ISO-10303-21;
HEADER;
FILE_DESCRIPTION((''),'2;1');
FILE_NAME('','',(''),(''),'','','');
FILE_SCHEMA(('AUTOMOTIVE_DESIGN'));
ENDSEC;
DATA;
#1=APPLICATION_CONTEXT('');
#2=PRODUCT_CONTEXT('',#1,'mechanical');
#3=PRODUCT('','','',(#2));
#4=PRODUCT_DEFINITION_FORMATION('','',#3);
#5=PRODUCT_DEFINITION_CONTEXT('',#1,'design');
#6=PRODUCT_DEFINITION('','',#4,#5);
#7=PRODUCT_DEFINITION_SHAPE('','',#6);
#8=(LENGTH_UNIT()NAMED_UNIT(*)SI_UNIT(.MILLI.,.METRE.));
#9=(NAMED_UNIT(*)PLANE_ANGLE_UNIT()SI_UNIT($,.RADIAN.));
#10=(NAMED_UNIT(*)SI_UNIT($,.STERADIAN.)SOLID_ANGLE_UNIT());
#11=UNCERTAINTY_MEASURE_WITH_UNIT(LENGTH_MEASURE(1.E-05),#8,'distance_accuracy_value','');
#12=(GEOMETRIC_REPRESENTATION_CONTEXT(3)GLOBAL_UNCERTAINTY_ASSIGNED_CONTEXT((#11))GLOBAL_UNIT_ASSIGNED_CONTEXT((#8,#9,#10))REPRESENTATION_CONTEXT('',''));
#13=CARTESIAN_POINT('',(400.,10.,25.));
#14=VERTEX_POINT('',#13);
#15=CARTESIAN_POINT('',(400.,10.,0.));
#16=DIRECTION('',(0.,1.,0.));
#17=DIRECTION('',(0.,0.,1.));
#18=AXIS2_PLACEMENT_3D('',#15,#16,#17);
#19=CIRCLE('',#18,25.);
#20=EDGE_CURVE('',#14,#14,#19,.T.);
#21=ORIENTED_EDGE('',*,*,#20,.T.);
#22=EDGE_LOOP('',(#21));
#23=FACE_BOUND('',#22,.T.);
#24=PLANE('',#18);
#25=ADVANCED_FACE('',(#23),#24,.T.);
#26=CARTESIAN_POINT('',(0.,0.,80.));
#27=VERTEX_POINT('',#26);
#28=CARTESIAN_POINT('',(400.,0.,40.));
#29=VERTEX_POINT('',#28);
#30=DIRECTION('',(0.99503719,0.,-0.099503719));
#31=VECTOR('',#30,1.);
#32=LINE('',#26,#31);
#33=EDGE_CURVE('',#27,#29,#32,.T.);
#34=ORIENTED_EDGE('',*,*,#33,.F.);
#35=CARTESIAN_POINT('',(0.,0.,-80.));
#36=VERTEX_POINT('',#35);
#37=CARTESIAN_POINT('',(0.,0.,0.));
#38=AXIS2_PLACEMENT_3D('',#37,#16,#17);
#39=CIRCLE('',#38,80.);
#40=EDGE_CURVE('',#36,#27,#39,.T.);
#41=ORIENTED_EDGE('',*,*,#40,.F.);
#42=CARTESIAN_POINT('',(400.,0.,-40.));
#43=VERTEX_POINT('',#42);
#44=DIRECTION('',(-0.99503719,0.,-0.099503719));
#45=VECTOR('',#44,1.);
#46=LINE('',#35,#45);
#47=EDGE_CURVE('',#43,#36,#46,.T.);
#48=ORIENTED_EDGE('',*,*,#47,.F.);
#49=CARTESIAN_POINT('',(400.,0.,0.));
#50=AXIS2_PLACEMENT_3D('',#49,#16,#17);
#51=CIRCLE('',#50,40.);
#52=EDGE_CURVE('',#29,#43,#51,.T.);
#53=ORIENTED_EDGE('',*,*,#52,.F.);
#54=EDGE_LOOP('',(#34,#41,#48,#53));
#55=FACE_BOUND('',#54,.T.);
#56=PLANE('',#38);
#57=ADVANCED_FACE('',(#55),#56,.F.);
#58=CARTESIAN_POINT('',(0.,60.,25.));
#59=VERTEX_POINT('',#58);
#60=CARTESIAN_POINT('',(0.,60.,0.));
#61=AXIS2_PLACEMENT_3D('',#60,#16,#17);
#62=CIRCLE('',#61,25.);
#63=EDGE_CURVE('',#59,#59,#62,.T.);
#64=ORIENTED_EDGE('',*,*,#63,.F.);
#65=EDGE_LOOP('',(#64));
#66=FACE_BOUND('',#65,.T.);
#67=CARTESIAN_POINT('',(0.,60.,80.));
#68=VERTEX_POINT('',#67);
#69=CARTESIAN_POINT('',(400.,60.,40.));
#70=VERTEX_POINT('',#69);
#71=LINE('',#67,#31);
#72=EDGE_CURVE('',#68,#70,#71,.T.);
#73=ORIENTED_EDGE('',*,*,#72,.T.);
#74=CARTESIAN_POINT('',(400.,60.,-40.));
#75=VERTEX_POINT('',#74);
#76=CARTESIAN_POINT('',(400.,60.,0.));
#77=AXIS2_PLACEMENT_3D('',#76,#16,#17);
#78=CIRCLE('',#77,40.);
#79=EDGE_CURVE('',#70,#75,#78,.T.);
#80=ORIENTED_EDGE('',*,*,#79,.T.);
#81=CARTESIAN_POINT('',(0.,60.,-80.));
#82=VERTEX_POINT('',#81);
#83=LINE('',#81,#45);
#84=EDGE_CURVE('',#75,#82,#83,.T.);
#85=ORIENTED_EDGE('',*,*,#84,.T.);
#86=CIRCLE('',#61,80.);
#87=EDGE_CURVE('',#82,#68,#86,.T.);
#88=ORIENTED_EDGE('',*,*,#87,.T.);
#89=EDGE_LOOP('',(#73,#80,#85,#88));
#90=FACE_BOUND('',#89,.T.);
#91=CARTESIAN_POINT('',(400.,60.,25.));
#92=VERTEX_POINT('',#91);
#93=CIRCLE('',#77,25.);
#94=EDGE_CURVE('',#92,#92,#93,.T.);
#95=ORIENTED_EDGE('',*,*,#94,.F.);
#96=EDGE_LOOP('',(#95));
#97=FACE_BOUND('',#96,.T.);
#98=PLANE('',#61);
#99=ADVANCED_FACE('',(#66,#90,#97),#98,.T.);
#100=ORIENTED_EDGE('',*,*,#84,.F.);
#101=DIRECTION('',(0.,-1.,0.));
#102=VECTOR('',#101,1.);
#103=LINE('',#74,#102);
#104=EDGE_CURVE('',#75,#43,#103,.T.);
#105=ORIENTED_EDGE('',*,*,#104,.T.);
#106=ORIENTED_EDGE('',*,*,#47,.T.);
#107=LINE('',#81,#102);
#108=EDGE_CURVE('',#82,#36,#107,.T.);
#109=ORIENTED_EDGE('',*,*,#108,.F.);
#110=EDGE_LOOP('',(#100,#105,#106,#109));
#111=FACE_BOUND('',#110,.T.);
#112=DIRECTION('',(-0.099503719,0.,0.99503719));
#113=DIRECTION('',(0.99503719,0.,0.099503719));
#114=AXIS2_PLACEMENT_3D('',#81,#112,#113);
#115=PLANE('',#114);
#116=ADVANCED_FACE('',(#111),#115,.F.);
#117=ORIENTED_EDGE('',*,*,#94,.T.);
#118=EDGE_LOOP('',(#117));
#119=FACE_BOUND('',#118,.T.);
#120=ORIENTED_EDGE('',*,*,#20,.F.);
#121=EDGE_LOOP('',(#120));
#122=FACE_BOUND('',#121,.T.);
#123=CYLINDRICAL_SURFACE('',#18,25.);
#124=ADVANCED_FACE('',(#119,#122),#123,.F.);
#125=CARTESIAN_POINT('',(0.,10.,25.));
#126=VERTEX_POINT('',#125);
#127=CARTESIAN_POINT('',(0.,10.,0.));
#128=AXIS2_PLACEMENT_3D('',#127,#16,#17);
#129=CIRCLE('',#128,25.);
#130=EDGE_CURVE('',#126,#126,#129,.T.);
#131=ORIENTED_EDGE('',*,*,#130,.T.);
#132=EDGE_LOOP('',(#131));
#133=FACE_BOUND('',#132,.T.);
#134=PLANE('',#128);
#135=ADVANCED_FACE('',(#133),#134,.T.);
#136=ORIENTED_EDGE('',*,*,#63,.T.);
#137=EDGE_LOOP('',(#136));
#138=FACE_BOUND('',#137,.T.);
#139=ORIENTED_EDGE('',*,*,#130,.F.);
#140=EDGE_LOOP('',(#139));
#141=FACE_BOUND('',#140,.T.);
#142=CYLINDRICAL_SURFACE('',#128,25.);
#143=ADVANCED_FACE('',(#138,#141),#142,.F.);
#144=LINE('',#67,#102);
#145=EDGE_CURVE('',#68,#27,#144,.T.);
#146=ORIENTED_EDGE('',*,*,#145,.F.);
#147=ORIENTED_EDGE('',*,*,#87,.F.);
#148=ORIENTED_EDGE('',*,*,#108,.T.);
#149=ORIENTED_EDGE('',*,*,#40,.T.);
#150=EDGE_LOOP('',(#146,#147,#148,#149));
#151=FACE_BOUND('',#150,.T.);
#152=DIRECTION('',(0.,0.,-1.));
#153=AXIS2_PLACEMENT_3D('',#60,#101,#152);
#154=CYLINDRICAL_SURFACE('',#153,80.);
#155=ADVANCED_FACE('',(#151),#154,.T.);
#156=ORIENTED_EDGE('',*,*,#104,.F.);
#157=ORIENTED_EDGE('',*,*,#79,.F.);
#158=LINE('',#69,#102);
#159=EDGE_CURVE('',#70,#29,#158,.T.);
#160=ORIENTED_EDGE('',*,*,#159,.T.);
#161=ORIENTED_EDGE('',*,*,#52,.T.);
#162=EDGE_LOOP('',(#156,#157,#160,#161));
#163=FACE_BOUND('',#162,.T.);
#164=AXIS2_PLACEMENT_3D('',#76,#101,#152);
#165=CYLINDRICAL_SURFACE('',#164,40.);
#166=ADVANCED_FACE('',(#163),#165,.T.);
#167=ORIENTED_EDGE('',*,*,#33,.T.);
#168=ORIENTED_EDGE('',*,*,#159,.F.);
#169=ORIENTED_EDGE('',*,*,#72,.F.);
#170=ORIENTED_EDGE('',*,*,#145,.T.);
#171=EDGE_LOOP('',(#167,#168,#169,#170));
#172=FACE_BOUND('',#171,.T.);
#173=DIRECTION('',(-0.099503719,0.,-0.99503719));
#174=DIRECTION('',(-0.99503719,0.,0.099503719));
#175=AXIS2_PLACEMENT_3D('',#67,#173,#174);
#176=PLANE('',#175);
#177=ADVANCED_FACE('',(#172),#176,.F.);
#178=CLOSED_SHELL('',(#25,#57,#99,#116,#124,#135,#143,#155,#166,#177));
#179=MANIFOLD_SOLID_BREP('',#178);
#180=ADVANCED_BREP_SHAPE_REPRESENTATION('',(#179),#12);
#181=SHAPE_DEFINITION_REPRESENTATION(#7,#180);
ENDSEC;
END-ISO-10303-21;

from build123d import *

# Parameters (mm, degrees)
BOSS_EXTRUDE1_DEPTH = 60
SKETCH3_R           = 25
CUT_EXTRUDE1_DEPTH  = 50


with BuildPart() as part:
    # Sketch2 → Boss-Extrude1 (new body)
    with BuildSketch(Plane(origin=(0, 0, 0), x_dir=(1, 0, 0), z_dir=(0, 1, 0))):
        with BuildLine():
            Line((0, 80), (400, 40))
            ThreePointArc((400, 40), (440, 0), (400, -40))
            Line((400, -40), (0, -80))
            ThreePointArc((0, -80), (-80, 0), (0, 80))
        make_face()
    extrude(amount=BOSS_EXTRUDE1_DEPTH)

    # Sketch3 → Cut-Extrude1 (cut)
    with BuildSketch(Plane(origin=(0, 60, 0), x_dir=(1, 0, 0), z_dir=(0, 1, 0))):
        with Locations(Location((0, 0, 0), (0, 0, 270))):
            Circle(SKETCH3_R)
        with Locations(Location((400, 0, 0), (0, 0, 270))):
            Circle(SKETCH3_R)
    extrude(amount=-CUT_EXTRUDE1_DEPTH, mode=Mode.SUBTRACT)


solid = part.part
